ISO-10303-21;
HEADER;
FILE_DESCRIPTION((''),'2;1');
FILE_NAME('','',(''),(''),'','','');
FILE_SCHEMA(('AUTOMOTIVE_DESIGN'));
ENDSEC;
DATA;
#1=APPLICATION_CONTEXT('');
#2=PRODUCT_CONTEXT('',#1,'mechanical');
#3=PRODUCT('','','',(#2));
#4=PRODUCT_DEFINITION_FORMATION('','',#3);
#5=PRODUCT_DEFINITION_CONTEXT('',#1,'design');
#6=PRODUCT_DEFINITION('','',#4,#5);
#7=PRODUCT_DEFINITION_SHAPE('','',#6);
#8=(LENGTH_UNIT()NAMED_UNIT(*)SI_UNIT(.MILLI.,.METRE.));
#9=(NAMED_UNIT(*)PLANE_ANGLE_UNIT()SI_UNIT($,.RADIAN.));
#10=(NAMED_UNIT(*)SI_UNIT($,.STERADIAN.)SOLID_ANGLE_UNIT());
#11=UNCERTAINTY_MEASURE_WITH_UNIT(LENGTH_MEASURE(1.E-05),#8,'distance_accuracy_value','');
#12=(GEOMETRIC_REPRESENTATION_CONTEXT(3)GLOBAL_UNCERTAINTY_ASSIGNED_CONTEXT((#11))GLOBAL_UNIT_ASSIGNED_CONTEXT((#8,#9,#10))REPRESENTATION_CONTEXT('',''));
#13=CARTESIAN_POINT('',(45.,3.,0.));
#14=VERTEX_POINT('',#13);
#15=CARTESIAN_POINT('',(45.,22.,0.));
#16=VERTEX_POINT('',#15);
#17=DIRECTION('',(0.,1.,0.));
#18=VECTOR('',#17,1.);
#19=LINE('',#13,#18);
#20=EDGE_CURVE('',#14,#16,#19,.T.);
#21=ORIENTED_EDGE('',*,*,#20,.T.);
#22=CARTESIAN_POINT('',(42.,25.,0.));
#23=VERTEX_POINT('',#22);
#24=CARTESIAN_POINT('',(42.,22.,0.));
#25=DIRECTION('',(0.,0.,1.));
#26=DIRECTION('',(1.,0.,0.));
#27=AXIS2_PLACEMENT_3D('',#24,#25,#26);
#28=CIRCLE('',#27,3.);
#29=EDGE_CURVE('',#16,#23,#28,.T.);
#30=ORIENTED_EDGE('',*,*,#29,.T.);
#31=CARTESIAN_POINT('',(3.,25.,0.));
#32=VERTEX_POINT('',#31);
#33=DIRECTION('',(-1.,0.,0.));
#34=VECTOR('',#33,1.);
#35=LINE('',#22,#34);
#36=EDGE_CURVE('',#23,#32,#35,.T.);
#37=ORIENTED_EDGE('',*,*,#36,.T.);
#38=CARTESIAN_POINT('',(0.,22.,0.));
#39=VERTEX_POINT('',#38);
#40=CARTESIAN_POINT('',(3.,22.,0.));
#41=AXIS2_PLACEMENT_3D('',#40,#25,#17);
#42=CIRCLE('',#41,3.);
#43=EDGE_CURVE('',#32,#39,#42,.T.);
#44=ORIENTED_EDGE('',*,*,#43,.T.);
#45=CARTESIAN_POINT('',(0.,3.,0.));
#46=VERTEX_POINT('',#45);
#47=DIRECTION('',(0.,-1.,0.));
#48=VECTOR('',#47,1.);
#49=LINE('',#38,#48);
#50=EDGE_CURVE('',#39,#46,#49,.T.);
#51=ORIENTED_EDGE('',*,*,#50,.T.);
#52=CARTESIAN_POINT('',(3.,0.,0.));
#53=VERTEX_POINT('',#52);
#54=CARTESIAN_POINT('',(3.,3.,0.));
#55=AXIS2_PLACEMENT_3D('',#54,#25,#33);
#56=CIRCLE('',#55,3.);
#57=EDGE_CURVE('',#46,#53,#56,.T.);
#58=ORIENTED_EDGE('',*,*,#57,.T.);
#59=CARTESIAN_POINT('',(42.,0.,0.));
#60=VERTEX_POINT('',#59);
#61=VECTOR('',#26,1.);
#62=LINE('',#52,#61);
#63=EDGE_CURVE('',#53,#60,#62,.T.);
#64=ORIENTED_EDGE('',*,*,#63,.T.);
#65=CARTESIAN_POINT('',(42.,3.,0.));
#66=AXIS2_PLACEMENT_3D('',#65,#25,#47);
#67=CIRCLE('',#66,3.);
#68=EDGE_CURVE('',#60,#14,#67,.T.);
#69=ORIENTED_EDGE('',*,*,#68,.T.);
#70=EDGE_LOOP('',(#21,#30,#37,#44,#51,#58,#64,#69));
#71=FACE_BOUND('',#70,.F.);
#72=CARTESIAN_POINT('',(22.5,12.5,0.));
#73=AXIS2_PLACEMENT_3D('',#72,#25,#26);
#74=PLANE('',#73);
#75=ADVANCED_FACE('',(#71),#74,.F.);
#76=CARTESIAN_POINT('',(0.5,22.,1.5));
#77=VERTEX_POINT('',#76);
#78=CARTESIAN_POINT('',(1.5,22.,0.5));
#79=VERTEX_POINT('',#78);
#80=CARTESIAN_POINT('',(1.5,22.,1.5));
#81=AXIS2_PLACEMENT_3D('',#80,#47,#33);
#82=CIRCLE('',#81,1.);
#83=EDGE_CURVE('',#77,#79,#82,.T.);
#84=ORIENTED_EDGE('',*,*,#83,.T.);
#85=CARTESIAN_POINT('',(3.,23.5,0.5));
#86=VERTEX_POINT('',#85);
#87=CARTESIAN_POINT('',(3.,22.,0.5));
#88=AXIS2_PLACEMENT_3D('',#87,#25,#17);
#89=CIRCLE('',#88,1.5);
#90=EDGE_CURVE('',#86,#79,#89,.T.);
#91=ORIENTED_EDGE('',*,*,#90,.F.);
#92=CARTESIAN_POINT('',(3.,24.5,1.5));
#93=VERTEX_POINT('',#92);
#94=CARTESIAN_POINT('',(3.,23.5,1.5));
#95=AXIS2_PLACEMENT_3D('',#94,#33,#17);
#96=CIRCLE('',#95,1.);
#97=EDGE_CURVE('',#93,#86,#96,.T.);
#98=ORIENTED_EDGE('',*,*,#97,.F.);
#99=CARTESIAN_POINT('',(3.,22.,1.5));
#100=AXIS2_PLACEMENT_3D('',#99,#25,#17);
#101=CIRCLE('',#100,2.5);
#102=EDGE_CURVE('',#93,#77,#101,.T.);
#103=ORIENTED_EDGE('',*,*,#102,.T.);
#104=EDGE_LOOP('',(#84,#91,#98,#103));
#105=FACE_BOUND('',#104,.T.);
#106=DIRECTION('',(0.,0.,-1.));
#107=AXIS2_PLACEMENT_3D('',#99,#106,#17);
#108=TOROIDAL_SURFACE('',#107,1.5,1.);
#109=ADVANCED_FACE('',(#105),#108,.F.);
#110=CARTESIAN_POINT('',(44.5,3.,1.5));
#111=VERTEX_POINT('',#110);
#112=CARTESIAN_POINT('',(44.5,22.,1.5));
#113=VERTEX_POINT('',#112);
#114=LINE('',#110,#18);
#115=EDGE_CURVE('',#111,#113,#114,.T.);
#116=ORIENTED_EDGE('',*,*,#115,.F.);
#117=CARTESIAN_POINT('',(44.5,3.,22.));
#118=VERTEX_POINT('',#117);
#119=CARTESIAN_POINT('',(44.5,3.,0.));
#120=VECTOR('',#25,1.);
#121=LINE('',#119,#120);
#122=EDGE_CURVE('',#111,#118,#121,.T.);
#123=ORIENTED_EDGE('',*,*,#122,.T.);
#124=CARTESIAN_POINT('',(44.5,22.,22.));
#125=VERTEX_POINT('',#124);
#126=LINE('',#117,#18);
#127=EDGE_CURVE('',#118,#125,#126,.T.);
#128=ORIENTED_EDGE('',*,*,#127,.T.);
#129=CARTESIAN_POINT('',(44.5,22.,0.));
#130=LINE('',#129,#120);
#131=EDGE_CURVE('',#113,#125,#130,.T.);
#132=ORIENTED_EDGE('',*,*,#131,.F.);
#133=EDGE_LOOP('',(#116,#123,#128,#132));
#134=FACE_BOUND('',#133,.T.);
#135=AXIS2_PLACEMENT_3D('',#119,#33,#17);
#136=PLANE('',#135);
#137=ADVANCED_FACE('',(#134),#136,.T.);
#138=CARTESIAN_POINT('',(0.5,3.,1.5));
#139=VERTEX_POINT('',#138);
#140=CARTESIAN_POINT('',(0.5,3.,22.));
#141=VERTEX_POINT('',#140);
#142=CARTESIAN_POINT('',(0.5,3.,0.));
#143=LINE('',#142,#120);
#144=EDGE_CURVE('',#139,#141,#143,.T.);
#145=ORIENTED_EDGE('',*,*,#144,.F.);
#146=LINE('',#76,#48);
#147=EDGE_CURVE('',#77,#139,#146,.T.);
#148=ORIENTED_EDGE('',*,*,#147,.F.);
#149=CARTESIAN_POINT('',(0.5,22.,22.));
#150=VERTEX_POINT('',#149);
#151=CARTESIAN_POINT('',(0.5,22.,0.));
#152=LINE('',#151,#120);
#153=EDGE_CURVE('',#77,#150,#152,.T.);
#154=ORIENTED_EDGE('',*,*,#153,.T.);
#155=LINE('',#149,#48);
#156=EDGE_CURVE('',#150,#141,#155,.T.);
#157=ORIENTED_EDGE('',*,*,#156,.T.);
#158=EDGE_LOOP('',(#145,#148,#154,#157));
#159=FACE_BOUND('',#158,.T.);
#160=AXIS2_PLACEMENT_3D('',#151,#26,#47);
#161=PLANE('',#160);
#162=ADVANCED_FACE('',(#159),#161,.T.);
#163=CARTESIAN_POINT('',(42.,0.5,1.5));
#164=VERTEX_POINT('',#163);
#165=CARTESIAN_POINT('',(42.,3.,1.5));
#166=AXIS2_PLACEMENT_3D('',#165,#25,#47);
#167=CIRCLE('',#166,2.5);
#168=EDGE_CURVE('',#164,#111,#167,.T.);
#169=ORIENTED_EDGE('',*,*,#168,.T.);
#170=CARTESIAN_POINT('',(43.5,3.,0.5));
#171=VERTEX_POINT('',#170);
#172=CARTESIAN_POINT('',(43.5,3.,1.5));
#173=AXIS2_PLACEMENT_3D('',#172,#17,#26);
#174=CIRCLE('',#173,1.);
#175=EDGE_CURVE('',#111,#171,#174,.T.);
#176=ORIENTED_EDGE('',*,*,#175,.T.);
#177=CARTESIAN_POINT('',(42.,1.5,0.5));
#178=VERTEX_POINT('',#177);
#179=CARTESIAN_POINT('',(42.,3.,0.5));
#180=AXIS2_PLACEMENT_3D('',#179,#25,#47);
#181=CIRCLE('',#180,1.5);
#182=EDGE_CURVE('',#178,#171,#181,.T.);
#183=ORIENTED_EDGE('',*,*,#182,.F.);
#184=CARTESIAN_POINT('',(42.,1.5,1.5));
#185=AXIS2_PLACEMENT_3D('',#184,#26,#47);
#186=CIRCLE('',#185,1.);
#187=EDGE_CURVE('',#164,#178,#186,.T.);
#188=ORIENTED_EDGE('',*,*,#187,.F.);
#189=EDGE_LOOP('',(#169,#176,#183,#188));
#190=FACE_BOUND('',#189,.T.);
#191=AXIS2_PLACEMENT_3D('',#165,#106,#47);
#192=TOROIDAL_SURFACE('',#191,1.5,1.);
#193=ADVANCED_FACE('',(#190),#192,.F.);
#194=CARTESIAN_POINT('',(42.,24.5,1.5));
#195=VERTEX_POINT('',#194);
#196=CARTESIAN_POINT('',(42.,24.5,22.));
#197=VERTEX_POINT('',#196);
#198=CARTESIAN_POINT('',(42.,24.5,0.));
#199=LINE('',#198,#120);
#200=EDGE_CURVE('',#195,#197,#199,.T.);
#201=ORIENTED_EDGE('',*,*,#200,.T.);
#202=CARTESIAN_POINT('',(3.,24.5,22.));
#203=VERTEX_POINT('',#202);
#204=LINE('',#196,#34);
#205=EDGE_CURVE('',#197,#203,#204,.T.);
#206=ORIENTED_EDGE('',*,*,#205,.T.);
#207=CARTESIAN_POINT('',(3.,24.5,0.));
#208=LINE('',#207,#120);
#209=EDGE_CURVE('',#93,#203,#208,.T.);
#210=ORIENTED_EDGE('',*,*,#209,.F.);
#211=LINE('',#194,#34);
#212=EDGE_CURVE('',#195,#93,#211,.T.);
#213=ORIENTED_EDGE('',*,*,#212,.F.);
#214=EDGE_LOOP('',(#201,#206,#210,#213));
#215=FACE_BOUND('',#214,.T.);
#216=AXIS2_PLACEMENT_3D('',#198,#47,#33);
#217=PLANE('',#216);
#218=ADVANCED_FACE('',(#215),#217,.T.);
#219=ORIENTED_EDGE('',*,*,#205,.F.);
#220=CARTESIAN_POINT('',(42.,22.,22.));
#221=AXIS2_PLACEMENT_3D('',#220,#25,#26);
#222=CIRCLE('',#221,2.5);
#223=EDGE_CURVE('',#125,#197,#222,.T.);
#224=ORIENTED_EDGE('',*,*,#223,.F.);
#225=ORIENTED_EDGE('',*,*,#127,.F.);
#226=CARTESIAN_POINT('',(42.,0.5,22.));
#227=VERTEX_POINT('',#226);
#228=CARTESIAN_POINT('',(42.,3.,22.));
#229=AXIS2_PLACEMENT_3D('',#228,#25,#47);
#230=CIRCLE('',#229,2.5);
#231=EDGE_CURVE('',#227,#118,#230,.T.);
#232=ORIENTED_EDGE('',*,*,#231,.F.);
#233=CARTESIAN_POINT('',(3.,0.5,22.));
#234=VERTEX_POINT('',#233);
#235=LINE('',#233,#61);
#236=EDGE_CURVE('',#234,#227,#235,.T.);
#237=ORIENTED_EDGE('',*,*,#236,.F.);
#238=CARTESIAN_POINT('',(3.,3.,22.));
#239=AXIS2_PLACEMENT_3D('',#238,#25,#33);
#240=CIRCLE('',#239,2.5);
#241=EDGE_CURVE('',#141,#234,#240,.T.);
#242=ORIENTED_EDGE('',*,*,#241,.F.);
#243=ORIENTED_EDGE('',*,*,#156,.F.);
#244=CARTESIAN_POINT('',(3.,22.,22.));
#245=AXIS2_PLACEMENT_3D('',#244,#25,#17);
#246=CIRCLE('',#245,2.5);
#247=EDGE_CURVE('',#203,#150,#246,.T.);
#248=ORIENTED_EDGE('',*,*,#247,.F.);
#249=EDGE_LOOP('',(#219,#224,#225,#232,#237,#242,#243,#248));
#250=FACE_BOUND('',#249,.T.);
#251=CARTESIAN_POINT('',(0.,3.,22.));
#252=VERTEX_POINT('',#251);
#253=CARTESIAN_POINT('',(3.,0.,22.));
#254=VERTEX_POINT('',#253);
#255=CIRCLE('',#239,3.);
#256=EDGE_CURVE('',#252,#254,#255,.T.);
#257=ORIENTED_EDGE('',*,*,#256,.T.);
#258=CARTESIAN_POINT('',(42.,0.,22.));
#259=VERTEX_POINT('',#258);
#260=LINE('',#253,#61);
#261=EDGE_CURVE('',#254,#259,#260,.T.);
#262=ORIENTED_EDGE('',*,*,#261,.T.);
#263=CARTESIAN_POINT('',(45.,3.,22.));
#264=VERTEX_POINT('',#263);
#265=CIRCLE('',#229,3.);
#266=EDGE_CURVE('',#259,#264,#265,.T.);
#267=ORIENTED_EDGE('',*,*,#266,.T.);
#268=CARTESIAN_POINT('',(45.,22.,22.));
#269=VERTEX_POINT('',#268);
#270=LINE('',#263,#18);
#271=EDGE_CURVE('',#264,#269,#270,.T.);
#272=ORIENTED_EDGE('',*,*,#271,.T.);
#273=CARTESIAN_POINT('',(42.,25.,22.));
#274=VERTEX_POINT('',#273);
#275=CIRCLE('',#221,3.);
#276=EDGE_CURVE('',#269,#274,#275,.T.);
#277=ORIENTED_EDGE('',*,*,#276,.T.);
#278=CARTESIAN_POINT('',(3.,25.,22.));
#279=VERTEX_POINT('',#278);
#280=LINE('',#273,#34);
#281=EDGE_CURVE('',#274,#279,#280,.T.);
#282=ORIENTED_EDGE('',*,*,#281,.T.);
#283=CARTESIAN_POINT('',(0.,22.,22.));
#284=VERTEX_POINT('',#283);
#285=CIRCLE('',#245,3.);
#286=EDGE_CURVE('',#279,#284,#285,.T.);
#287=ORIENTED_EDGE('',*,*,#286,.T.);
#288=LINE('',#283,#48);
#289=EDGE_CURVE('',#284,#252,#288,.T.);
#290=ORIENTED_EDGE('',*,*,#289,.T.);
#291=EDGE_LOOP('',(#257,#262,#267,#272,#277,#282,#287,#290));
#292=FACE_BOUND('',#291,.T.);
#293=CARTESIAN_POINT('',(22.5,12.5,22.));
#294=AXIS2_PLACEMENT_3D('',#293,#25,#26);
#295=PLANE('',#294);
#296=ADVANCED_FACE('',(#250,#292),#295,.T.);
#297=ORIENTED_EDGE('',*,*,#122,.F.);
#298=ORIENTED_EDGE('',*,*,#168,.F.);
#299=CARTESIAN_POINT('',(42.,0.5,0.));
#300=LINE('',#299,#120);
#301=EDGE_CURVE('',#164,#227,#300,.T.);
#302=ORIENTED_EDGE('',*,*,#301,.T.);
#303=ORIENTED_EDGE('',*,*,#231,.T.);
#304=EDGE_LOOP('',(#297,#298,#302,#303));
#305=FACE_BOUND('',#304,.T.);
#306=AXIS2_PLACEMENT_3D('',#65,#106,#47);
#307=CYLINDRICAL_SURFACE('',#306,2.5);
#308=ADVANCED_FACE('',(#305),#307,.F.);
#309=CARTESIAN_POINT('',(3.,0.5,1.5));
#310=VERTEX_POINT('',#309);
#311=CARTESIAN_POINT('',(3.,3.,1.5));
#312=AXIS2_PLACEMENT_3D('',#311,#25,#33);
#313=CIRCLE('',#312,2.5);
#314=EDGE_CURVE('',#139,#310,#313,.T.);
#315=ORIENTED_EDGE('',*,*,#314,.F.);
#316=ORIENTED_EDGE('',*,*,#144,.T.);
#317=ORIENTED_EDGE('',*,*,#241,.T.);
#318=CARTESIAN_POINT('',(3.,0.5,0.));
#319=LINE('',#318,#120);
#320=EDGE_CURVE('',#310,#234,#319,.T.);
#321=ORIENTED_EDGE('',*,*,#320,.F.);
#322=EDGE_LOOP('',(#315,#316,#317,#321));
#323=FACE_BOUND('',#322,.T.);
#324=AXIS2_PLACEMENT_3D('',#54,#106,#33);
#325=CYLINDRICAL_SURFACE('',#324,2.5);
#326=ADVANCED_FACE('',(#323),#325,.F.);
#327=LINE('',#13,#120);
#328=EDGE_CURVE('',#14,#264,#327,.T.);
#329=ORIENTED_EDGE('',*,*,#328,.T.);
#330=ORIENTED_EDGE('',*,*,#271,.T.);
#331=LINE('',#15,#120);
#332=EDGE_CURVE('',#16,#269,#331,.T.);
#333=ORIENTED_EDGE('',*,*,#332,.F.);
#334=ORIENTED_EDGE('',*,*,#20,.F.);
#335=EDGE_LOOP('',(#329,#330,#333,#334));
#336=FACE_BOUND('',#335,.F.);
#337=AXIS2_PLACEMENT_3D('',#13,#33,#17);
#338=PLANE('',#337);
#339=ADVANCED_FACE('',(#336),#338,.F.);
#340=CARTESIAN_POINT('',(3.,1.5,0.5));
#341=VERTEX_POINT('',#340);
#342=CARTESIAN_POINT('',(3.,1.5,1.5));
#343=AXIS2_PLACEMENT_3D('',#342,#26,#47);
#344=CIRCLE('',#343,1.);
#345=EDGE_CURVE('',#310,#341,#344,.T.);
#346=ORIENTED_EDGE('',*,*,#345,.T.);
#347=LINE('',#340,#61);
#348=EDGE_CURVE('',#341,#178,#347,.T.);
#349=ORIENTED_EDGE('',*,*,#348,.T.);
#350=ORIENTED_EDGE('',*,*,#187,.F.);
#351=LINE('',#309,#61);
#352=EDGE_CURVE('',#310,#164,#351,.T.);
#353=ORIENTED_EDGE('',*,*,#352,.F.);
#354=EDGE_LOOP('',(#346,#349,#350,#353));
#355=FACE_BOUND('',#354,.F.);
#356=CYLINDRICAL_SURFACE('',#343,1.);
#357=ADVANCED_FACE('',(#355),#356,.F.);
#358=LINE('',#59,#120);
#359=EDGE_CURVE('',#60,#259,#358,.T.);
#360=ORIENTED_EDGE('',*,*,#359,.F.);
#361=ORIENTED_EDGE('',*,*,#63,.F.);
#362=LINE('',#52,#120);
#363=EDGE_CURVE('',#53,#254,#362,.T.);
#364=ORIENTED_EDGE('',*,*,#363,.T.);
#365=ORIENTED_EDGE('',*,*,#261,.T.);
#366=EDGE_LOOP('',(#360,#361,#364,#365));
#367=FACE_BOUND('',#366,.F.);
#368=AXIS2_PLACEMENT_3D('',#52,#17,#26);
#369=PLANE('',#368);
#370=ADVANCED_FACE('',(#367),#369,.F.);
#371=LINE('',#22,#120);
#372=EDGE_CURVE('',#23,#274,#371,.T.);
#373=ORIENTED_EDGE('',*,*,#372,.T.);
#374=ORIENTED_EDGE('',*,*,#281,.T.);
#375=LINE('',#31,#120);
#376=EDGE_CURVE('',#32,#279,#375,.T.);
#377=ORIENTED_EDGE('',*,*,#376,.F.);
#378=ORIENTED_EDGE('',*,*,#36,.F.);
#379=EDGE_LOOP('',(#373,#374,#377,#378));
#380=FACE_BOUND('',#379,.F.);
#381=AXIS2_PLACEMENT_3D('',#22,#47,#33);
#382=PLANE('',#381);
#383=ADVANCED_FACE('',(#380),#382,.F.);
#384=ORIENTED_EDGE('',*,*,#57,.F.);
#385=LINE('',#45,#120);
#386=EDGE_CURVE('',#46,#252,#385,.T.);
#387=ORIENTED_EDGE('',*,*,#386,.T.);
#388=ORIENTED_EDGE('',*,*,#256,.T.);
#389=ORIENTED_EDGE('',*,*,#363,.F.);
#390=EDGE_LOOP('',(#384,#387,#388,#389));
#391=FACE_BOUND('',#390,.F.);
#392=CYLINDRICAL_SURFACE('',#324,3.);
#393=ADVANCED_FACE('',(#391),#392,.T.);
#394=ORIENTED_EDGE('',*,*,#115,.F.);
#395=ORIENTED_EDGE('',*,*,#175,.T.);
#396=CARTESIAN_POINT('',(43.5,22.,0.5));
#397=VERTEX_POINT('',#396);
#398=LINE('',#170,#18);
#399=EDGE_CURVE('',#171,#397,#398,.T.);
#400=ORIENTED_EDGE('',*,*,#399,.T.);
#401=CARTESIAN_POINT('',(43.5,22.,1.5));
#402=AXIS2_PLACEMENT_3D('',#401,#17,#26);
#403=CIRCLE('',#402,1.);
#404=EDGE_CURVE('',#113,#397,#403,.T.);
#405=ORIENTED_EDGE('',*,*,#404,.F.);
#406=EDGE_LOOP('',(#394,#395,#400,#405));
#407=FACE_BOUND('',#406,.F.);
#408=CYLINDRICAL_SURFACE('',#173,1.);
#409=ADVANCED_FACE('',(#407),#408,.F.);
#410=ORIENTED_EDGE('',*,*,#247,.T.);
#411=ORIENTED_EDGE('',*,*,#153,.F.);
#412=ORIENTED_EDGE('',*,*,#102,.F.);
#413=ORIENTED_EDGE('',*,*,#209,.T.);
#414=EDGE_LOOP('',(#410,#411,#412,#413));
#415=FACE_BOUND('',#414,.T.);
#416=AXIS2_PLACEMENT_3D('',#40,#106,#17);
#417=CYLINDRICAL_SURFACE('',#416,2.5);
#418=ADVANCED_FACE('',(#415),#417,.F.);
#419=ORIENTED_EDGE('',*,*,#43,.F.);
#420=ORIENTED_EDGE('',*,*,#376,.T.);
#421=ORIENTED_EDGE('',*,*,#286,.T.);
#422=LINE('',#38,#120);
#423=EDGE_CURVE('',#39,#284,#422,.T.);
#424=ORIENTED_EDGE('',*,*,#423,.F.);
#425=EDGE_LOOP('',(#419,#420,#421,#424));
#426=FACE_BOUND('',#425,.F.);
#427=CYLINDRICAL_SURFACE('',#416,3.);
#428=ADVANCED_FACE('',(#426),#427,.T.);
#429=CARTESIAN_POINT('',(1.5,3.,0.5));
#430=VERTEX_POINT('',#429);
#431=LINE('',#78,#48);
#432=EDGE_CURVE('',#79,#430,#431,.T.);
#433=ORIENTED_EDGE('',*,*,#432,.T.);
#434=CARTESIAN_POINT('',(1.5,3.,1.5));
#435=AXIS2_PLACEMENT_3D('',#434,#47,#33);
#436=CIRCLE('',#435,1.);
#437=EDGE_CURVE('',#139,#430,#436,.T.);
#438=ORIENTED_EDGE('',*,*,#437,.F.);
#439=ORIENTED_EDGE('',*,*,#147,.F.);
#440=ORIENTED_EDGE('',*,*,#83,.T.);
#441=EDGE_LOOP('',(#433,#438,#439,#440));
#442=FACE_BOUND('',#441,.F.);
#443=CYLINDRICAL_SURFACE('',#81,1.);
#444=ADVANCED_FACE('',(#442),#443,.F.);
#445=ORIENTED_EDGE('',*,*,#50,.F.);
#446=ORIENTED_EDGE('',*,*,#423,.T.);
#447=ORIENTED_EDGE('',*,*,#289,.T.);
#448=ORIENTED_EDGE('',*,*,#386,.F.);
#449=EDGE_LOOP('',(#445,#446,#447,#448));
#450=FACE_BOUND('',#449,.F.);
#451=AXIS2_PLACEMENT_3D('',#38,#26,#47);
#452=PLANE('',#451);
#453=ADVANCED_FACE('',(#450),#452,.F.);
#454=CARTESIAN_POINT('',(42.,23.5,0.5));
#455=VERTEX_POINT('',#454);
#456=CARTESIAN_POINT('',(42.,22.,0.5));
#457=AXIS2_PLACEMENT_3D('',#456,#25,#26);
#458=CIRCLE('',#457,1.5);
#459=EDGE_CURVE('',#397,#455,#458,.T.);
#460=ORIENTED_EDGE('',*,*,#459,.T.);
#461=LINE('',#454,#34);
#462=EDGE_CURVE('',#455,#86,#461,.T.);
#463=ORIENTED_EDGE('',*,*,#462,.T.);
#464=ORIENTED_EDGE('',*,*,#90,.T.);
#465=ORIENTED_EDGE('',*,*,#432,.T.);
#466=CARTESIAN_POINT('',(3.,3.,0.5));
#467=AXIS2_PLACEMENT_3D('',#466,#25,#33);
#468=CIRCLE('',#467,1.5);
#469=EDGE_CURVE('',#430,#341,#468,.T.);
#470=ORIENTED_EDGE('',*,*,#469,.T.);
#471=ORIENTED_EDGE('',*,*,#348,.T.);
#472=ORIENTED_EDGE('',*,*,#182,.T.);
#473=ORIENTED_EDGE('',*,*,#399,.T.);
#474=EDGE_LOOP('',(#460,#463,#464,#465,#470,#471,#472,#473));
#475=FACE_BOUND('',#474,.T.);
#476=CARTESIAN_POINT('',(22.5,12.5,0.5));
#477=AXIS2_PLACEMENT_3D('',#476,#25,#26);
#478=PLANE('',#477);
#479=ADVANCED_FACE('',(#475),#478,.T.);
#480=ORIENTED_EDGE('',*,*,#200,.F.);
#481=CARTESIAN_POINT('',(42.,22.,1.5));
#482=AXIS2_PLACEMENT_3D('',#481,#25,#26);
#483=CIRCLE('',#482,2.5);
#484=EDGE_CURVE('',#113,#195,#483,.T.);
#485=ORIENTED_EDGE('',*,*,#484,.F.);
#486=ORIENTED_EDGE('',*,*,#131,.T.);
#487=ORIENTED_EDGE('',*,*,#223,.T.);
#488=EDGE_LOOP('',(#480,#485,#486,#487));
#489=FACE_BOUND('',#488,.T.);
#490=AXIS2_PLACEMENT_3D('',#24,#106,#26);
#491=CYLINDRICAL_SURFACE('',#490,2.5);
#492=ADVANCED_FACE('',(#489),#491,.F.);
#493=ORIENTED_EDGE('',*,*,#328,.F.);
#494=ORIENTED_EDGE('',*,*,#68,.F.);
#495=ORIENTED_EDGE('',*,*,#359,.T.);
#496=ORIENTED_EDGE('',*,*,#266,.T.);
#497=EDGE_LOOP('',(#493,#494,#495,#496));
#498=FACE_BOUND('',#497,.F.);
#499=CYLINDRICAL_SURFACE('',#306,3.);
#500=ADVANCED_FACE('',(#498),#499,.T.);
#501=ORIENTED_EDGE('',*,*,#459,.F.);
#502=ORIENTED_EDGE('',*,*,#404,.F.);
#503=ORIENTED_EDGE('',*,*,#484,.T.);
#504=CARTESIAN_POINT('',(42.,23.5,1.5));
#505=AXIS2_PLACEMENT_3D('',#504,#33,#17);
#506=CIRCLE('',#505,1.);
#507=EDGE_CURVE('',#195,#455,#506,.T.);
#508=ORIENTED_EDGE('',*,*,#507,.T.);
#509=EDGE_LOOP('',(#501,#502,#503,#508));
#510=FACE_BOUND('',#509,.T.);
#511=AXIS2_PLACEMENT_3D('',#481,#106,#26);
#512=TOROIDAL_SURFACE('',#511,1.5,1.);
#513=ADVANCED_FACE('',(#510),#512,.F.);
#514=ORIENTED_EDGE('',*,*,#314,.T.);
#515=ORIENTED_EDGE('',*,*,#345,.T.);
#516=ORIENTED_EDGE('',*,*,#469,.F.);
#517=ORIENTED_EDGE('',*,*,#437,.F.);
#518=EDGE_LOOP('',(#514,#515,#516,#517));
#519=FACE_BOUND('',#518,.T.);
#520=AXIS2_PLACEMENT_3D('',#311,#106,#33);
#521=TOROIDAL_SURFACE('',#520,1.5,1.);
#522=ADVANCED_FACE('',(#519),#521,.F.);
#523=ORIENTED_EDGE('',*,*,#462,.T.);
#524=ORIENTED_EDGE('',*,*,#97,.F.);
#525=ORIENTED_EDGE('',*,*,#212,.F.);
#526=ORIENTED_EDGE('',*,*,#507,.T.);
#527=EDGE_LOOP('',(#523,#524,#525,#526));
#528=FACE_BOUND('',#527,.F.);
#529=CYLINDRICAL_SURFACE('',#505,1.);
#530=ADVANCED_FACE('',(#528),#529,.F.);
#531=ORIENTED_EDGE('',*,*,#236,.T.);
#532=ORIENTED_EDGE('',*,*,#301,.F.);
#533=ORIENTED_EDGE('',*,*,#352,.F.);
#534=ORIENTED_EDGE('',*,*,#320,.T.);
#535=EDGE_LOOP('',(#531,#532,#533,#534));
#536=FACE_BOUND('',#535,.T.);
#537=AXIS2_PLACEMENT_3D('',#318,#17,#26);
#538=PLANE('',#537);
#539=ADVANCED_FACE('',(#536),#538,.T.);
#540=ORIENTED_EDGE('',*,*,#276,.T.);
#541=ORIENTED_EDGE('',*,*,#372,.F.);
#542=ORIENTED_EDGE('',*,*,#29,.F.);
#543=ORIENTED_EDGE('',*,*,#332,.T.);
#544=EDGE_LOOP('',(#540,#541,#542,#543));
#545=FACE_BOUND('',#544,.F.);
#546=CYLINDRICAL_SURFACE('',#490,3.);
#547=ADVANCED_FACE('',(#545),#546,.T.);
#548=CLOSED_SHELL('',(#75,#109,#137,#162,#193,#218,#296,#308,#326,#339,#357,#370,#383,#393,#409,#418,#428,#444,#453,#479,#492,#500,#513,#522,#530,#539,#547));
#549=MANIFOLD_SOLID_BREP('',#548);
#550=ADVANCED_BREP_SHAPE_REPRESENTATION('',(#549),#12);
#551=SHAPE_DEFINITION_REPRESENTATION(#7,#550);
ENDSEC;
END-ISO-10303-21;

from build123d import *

# Parameters (mm, degrees)
F1_DEPTH = 22
F2_T     = -0.5
F3_R     = 1


with BuildPart() as f1:
    # F0 (on Top) → F1 (new body)
    with BuildSketch(Plane.XY):
        with BuildLine():
            ThreePointArc((0, 3), (0.8786796564, 0.8786796564), (3, 0))
            Line((3, 0), (42, 0))
            ThreePointArc((42, 0), (44.1213203436, 0.8786796564), (45, 3))
            Line((45, 3), (45, 22))
            ThreePointArc((45, 22), (44.1213203436, 24.1213203436), (42, 25))
            Line((42, 25), (3, 25))
            ThreePointArc((3, 25), (0.8786796564, 24.1213203436), (0, 22))
            Line((0, 22), (0, 3))
        make_face()
    extrude(amount=F1_DEPTH)

    # F2
    f2_openings = [f1.faces().sort_by_distance(p)[0] for p in [
        (22.5, 12.5, 22),
    ]]
    offset(amount=F2_T, openings=f2_openings)

    # F3
    f3_edges = [f1.edges().sort_by_distance(p)[0] for p in [
        (0.5, 12.5, 0.5),
        (1.232233, 1.232233, 0.5),
        (22.5, 0.5, 0.5),
        (43.767767, 1.232233, 0.5),
        (44.5, 12.5, 0.5),
        (43.767767, 23.767767, 0.5),
        (22.5, 24.5, 0.5),
        (1.232233, 23.767767, 0.5),
    ]]
    fillet(f3_edges, radius=F3_R)


solid = f1.part
